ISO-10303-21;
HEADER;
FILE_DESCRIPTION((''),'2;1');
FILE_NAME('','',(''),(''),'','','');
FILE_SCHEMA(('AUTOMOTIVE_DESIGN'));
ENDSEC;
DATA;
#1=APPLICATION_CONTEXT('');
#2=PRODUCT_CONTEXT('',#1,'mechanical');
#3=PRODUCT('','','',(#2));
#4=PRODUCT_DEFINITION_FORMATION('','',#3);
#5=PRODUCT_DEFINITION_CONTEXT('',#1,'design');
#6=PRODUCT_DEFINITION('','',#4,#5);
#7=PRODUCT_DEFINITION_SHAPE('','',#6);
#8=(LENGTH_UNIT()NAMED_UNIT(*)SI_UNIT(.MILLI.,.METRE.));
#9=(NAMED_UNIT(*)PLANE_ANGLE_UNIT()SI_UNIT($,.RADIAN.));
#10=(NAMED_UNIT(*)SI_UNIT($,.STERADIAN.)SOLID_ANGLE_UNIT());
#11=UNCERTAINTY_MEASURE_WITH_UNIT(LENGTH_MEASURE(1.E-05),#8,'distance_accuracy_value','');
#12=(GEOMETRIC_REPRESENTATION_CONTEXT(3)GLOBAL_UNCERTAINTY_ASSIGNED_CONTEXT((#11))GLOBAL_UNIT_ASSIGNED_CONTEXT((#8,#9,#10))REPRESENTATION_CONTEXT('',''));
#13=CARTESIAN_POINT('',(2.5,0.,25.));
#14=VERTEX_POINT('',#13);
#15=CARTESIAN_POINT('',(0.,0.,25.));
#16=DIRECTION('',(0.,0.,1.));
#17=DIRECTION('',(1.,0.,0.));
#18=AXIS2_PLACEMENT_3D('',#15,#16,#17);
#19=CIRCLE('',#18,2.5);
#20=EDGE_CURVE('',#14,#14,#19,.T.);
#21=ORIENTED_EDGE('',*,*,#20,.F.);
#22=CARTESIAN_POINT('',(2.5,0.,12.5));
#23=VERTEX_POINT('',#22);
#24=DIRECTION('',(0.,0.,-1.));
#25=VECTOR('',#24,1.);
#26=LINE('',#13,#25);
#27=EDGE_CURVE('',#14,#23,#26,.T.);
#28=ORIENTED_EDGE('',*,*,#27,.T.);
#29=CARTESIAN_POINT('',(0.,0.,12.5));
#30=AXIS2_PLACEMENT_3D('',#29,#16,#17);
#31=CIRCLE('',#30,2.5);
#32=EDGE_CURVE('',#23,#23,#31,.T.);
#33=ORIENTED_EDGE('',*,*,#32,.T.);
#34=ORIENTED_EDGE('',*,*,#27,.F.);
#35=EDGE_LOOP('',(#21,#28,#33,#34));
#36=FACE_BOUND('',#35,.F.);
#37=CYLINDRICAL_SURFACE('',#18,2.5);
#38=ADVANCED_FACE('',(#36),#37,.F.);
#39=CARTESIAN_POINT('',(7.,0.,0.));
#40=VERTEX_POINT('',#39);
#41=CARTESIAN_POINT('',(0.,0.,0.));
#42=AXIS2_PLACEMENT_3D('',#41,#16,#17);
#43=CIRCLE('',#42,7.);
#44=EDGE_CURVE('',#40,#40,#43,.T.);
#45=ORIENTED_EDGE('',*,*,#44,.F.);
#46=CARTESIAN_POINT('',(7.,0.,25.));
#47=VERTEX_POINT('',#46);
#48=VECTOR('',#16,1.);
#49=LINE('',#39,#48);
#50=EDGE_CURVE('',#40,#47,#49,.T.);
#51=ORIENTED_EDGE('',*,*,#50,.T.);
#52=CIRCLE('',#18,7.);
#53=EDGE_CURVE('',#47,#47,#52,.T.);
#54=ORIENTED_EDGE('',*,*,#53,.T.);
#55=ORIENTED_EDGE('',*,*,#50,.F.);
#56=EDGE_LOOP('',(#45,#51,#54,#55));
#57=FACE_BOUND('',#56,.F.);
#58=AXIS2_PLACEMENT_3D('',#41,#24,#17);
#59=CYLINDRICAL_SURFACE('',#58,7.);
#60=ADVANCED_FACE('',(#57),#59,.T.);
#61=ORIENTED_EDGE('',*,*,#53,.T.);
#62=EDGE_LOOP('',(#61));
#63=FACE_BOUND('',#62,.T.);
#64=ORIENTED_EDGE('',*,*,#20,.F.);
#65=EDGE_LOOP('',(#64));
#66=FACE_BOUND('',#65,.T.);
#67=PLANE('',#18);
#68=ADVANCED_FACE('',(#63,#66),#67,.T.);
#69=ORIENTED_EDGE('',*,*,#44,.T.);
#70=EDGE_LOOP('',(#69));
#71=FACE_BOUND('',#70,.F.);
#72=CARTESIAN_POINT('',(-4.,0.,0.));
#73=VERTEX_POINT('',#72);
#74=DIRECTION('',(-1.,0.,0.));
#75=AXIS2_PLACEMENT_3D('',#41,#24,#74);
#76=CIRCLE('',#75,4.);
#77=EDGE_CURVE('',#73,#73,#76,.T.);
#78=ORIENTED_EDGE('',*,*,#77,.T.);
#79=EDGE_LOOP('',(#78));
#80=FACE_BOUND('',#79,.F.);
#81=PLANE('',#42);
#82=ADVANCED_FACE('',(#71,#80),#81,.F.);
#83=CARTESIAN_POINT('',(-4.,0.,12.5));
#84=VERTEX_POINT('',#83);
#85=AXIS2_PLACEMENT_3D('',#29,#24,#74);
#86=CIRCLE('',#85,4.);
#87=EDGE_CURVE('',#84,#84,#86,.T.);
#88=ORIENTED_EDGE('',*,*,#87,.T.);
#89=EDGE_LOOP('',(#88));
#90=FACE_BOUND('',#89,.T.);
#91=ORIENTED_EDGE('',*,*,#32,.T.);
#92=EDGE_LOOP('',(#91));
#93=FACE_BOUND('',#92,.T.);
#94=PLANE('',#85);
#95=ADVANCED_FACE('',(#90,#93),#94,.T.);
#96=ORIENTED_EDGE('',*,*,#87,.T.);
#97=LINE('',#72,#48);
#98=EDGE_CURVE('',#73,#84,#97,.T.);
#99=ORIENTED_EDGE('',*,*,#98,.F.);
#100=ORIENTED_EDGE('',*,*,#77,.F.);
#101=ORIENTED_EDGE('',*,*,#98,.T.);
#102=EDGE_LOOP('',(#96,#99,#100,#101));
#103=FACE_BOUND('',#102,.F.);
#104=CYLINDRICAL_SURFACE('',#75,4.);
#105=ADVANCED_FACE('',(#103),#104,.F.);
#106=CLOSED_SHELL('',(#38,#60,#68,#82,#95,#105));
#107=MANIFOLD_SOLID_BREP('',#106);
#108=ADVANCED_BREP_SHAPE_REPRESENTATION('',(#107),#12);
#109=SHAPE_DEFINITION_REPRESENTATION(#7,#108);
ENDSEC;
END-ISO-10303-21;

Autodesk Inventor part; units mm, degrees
ref_plane "YZ Plane" through (0, 0, 0) normal (1, 0, 0) x (0, 1, 0)
ref_plane "XZ Plane" through (0, 0, 0) normal (0, 1, 0) x (-1, 0, 0)
ref_plane "XY Plane" through (0, 0, 0) normal (0, 0, 1) x (1, 0, 0)
sketch "Sketch1" plane through (0, 0, 0) normal (0, 0, 1) x (1, 0, 0)
  circle A0 centre (0, 0) radius 7
  dimension "d0" = 14
extrude "Extrusion1" add sketch "Sketch1" along normal blind 25
sketch "Sketch2" plane through (0, 0, 25) normal (0, 0, 1) x (1, 0, 0)
  circle A0 centre (0, 0) radius 2.5
  dimension "d3" = 5
extrude "Extrusion2" cut sketch "Sketch2" against normal up to surface (25 mm away)
sketch "Sketch3" plane through (0, 0, 0) normal (0, 0, -1) x (-1, 0, 0)
  circle A0 centre (0, 0) radius 4
  dimension "d6" = 8
extrude "Extrusion3" cut sketch "Sketch3" against normal blind 12.5
properties part number "Couple"
